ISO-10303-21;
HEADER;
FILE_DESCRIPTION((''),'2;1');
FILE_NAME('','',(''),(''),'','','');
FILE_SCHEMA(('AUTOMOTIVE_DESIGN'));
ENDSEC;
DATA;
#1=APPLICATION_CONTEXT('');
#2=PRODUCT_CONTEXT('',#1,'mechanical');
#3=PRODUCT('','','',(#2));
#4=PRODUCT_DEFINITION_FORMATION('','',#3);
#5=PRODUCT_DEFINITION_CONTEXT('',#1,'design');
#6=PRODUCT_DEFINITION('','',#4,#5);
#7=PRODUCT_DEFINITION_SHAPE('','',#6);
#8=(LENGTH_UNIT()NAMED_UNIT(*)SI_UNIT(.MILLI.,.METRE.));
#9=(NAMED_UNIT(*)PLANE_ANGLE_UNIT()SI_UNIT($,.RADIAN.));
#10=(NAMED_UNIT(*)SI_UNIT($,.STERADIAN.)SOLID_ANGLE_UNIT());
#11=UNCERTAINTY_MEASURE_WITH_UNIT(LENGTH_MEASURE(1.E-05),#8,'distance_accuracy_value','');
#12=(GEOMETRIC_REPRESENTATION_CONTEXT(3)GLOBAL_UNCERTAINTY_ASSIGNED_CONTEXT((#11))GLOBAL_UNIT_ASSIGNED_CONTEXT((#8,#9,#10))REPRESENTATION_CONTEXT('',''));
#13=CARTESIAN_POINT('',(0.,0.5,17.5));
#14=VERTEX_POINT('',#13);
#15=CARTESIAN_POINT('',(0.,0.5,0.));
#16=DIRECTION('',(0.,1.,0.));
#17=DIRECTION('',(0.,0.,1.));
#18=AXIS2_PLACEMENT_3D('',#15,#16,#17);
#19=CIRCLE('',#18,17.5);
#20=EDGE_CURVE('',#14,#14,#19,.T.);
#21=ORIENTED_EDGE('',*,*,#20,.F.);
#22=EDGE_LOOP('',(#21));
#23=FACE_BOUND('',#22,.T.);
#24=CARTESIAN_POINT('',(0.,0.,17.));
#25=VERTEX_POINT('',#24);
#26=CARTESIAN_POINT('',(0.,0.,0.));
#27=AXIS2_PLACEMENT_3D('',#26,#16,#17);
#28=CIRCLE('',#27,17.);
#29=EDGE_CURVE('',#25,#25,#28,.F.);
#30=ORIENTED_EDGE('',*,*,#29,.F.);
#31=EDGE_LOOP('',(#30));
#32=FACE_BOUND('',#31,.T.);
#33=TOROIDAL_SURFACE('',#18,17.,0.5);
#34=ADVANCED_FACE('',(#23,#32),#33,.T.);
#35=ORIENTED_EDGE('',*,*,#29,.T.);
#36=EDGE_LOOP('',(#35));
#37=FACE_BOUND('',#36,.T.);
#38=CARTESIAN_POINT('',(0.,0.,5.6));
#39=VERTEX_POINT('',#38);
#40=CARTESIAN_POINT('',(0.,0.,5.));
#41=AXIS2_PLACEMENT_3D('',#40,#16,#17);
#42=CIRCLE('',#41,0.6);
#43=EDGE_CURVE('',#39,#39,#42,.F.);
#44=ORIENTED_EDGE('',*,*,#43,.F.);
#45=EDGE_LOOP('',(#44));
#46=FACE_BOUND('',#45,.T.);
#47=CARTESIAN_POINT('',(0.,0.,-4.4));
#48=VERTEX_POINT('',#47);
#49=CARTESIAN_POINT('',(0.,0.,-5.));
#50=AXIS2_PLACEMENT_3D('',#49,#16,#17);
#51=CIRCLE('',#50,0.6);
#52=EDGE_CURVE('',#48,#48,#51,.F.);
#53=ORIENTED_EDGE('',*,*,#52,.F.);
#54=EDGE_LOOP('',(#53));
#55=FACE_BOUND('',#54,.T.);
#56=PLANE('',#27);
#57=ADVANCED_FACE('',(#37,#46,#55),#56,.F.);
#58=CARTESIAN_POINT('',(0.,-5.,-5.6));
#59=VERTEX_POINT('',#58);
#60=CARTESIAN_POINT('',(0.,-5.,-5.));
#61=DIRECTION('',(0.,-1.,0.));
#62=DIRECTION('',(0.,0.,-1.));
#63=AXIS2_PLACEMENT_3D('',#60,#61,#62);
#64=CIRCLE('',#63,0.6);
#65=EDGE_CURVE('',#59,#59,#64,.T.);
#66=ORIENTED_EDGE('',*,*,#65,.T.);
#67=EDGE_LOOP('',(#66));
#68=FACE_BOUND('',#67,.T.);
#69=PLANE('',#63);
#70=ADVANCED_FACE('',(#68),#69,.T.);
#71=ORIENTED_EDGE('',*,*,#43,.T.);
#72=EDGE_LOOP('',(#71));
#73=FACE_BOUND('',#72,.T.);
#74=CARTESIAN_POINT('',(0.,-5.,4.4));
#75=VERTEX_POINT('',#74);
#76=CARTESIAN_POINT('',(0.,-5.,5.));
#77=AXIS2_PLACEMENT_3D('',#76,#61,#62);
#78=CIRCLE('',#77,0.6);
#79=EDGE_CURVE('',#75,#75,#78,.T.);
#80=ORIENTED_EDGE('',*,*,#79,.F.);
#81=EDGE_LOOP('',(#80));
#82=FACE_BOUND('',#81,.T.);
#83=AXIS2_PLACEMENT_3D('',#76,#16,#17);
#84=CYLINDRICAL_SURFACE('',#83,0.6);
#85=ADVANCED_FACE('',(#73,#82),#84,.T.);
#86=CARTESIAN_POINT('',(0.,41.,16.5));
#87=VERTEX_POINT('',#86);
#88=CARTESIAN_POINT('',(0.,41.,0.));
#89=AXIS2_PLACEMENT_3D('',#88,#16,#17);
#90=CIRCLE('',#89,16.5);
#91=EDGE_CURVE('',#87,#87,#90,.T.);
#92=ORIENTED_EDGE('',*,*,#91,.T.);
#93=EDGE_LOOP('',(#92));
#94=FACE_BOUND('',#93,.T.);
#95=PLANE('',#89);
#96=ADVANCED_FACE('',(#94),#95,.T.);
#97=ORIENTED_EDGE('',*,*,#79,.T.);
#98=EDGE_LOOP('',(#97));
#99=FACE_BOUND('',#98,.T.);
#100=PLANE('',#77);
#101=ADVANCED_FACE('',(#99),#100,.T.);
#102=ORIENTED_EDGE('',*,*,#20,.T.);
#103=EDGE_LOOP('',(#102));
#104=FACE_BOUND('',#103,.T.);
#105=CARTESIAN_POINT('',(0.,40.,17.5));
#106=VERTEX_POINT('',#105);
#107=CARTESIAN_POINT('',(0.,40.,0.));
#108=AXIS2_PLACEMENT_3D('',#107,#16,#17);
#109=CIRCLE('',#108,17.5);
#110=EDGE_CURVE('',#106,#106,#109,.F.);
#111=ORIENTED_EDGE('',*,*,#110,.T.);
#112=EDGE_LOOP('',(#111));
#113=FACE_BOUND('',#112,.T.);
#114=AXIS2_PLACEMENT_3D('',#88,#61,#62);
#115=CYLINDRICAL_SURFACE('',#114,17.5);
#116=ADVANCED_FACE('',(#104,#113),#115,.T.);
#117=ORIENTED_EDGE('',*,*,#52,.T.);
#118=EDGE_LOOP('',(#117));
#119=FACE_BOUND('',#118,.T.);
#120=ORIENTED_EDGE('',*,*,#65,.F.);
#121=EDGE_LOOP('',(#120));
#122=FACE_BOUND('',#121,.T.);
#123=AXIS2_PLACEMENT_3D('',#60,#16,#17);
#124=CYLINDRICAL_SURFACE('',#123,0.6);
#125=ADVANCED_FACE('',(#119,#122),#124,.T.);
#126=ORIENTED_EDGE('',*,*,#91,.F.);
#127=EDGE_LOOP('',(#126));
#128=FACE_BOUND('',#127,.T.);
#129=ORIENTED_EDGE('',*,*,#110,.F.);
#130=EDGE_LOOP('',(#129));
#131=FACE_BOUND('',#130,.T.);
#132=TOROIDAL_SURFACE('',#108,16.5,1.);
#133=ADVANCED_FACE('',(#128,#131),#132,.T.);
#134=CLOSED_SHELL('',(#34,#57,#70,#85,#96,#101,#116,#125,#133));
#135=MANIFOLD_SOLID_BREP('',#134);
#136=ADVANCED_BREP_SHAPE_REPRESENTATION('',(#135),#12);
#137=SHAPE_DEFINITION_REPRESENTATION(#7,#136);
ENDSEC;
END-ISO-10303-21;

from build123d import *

# Parameters (mm, degrees)
SKETCH1_R           = 17.5
BOSS_EXTRUDE1_DEPTH = 41
FILLET2_R           = 1
SKETCH2_R           = 0.6
BOSS_EXTRUDE2_DEPTH = 5
FILLET3_R           = 0.5


with BuildPart() as part:
    # Sketch1 → Boss-Extrude1 (new body)
    with BuildSketch(Plane(origin=(0, 0, 0), x_dir=(1, 0, 0), z_dir=(0, 1, 0))):
        with Locations(Location((0, 0, 0), (0, 0, 270))):
            Circle(SKETCH1_R)
    extrude(amount=BOSS_EXTRUDE1_DEPTH)

    # Fillet2
    fillet2_edges = [part.edges().sort_by_distance(p)[0] for p in [
        (0, 41, -17.5),
    ]]
    fillet(fillet2_edges, radius=FILLET2_R)

    # Sketch2 → Boss-Extrude2 (add)
    with BuildSketch(Plane.XZ):
        with Locations(Location((0, 5, 0), (0, 0, 90))):
            Circle(SKETCH2_R)
        with Locations(Location((0, -5, 0), (0, 0, 90))):
            Circle(SKETCH2_R)
    extrude(amount=BOSS_EXTRUDE2_DEPTH)

    # Fillet3
    fillet3_edges = [part.edges().sort_by_distance(p)[0] for p in [
        (0, 0, -17.5),
    ]]
    fillet(fillet3_edges, radius=FILLET3_R)


solid = part.part
